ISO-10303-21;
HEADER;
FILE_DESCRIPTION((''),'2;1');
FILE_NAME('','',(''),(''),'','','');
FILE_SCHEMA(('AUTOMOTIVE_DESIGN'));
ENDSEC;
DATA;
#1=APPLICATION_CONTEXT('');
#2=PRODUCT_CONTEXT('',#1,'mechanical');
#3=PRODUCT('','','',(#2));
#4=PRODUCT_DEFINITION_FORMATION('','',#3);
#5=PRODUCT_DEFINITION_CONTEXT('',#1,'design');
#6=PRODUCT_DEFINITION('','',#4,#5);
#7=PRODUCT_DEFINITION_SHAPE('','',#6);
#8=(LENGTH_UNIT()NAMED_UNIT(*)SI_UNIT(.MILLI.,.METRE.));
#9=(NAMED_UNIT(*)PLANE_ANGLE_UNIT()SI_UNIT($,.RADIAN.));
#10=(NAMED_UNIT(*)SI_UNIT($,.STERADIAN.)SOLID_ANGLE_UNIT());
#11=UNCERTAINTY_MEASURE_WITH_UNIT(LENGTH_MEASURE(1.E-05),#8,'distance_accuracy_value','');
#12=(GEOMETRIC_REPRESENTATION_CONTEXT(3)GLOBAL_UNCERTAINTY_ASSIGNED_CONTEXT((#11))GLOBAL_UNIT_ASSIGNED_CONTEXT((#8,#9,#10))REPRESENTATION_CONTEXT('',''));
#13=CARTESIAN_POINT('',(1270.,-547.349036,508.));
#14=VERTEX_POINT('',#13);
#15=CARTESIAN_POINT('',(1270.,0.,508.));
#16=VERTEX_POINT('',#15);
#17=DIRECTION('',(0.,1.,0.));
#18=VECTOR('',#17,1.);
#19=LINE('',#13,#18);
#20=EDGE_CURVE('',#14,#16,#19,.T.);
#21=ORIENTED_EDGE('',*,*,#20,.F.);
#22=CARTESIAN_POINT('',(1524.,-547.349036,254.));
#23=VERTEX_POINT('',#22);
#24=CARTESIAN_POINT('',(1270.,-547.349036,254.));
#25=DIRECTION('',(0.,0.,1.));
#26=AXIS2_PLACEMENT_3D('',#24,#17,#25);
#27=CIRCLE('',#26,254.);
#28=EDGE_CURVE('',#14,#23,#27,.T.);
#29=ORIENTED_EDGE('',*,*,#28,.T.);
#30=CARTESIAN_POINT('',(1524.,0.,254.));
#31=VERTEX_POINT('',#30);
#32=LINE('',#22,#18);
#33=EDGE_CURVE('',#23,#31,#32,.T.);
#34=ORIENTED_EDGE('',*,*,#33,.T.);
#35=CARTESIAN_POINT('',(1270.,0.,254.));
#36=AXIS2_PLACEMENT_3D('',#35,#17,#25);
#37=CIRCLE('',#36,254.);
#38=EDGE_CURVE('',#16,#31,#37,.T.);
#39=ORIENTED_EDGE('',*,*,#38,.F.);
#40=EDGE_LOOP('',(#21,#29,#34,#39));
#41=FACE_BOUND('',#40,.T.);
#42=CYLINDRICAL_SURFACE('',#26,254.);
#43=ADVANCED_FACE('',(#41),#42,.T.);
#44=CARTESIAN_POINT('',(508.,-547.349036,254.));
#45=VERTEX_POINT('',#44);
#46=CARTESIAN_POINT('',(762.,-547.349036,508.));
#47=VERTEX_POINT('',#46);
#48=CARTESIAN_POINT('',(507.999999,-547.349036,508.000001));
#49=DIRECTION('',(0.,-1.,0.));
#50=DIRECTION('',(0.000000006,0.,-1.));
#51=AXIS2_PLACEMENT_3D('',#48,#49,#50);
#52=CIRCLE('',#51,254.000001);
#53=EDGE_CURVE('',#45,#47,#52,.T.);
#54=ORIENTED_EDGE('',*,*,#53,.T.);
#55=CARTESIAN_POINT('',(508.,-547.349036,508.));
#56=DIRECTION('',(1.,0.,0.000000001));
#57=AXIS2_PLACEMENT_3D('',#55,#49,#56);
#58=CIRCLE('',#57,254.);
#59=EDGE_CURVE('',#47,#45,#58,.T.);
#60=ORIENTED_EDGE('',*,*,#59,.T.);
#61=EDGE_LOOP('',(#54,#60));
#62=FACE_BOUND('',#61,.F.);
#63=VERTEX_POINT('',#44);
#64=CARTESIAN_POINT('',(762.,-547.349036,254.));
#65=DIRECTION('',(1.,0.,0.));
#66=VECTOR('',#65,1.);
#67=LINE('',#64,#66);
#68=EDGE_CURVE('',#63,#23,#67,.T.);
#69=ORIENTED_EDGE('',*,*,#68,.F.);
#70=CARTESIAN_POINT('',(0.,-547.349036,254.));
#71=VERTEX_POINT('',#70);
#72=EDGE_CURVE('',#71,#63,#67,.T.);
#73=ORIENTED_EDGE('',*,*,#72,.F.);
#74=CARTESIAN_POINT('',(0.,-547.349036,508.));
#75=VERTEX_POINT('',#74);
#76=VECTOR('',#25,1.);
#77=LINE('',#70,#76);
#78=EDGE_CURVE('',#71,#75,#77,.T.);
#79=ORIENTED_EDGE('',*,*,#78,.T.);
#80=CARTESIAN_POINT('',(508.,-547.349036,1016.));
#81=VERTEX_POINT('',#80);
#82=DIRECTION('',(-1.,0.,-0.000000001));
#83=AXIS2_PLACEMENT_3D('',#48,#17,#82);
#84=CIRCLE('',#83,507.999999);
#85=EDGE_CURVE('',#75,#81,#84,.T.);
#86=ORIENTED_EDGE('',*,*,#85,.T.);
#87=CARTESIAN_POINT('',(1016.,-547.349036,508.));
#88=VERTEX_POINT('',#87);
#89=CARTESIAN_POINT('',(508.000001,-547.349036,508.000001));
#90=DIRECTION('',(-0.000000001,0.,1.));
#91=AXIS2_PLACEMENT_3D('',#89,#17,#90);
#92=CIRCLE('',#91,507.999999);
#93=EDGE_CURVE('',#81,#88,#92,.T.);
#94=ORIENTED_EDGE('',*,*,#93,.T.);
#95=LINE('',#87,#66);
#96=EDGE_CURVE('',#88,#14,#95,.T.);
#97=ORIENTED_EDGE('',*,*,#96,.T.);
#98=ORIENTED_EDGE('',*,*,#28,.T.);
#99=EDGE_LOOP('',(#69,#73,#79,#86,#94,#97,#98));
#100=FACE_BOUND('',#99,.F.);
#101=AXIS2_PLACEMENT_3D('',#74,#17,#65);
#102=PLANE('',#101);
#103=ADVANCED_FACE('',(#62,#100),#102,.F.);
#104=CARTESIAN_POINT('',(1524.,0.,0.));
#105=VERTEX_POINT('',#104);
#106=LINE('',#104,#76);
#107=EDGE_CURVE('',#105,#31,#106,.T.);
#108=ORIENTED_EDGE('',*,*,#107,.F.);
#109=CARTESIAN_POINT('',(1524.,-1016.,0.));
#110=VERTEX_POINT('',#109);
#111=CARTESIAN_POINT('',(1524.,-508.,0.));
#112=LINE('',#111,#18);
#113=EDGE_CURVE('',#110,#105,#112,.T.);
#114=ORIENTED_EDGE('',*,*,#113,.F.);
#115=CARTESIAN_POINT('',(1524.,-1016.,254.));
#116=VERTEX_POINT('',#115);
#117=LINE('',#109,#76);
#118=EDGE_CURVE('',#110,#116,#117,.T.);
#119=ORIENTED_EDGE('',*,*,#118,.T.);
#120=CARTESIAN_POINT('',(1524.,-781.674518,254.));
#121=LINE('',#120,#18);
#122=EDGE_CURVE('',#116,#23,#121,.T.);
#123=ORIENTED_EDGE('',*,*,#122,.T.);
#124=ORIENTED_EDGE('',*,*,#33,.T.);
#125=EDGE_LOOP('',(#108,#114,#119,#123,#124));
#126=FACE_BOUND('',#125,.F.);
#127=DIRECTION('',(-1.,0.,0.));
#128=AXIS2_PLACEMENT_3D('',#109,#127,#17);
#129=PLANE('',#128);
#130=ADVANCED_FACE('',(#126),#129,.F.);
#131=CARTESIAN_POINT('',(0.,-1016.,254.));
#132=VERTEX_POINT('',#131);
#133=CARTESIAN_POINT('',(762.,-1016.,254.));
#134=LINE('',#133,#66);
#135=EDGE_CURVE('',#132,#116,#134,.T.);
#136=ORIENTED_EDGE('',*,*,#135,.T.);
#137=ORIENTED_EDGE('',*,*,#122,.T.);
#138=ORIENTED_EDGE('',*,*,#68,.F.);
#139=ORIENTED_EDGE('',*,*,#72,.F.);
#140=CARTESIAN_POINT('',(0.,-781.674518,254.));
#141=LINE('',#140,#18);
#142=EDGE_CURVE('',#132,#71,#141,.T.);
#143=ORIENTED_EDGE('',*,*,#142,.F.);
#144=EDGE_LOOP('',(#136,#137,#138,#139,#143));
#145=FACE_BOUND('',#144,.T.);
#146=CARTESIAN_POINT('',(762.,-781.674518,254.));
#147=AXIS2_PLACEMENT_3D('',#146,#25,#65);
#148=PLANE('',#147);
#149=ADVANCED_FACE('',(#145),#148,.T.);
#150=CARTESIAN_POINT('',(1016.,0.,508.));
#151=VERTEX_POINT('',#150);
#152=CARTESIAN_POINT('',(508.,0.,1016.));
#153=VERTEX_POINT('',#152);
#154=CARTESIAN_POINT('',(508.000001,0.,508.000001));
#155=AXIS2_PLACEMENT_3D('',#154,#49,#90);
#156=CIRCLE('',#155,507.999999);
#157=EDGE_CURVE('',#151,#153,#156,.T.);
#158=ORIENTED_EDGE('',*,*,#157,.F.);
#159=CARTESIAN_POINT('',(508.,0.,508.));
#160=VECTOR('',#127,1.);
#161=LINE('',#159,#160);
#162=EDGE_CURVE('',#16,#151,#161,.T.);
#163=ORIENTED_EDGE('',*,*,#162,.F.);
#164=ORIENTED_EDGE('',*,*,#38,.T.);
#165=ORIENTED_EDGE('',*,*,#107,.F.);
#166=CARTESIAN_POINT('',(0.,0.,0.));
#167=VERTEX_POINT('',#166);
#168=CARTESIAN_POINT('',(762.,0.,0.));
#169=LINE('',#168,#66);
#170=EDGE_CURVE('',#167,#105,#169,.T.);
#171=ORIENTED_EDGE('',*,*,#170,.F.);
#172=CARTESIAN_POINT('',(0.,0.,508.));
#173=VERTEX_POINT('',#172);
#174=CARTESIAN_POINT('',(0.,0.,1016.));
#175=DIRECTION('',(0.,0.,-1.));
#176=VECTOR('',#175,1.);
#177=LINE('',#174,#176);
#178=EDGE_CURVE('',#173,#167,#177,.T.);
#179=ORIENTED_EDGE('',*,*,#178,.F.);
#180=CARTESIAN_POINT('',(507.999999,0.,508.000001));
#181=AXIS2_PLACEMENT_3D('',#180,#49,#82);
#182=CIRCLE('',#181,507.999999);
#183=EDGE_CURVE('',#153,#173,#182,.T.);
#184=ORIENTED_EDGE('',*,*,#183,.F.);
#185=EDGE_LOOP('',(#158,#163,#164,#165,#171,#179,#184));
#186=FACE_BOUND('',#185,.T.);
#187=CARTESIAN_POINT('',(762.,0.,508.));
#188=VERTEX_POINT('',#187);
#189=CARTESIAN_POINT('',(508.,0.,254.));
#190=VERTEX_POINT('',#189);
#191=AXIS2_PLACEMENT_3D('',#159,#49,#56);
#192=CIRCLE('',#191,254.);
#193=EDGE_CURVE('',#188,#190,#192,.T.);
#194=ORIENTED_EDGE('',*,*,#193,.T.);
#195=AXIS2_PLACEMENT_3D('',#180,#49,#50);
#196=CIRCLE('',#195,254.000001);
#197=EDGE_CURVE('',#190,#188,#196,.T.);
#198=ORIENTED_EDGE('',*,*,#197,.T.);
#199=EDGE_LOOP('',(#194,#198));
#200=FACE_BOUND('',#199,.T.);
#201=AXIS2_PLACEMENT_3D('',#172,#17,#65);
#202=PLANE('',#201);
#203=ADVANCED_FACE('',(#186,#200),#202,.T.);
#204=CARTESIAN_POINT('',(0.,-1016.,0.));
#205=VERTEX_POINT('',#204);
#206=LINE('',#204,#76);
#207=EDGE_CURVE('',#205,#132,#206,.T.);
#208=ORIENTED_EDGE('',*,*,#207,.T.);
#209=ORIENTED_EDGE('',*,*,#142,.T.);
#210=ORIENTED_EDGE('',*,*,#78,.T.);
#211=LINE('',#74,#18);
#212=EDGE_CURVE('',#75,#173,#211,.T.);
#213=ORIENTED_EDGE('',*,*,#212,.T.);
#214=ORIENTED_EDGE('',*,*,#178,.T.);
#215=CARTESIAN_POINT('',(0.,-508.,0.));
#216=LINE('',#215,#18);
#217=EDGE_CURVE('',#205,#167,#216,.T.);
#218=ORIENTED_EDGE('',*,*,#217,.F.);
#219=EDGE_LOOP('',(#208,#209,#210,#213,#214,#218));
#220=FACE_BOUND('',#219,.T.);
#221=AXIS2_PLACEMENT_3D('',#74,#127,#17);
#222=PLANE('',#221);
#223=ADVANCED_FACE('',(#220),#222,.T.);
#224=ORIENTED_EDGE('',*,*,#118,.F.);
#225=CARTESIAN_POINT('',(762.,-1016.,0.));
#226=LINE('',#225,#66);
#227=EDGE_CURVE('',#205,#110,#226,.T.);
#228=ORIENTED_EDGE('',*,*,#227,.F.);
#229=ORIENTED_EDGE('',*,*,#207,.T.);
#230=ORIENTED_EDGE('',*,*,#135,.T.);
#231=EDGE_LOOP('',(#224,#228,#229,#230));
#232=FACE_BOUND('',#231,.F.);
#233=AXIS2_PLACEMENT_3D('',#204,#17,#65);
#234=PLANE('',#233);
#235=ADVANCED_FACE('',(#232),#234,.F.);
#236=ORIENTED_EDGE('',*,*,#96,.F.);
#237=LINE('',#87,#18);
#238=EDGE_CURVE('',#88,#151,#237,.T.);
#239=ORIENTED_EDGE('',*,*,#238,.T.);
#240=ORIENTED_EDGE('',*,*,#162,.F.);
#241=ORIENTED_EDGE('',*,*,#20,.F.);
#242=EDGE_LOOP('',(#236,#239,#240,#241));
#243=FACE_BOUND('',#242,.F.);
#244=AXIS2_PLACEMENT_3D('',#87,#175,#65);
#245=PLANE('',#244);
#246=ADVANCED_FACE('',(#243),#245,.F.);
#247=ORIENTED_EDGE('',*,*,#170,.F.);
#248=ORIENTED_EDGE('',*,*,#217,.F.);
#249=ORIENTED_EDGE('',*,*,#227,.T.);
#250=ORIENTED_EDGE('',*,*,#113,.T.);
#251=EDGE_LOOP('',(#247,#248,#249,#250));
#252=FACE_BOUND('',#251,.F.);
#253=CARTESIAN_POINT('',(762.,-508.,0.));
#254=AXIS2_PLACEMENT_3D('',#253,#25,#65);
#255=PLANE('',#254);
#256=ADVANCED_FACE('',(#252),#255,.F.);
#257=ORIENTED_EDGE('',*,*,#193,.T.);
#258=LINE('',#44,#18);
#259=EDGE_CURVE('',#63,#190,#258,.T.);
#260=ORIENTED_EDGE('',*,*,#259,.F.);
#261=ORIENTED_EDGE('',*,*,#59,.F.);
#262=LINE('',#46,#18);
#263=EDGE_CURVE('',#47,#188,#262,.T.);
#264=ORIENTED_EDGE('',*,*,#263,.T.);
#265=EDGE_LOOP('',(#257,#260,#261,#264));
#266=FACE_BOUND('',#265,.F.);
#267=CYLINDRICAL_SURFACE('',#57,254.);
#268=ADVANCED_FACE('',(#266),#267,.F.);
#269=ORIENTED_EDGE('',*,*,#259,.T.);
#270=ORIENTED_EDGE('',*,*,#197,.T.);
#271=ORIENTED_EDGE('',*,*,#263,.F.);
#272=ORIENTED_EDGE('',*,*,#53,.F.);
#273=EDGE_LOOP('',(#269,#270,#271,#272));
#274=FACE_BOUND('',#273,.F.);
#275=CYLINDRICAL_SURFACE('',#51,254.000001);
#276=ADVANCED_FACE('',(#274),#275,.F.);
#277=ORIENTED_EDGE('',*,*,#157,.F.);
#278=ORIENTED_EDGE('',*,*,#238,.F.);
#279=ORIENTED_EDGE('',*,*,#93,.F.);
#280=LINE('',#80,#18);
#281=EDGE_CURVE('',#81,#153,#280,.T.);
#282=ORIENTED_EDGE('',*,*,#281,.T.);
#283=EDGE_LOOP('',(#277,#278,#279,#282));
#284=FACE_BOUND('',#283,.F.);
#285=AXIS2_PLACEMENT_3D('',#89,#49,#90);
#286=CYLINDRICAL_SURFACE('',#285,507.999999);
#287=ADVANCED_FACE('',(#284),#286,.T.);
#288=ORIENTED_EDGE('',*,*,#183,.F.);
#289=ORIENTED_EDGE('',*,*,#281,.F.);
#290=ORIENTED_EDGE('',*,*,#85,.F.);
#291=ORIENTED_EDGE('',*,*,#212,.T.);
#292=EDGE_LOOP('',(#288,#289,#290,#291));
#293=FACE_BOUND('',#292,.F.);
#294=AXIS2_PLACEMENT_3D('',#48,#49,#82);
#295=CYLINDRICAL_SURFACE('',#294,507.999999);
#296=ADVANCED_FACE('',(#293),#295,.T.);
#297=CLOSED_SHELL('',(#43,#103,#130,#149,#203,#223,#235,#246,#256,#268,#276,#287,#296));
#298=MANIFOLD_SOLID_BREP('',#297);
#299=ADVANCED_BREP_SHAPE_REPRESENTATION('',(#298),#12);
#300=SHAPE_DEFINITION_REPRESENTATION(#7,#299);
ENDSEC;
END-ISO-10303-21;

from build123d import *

# Parameters (mm, degrees)
F0_W      = 1524
F0_H      = 1016
F1_DEPTH  = 508
F2_W      = 1524
F2_H      = 468.650964
F3_DEPTH  = 254
F4_R      = 254
F1_FACE_W = 1270
F1_FACE_H = 547.349036
F5_DEPTH  = 508
F7_DEPTH  = 1143
F9_DEPTH  = 1143


with BuildPart() as f1:
    # F0 (on Top) → F1 (new body)
    with BuildSketch(Plane.XY):
        with Locations((762, -508)):
            Rectangle(F0_W, F0_H)
    extrude(amount=F1_DEPTH)

    # F2 (on face) → F3 (cut)
    with BuildSketch(Plane.XY.offset(508)):
        with Locations((762, -781.674518)):
            Rectangle(F2_W, F2_H)
    extrude(amount=-F3_DEPTH, mode=Mode.SUBTRACT)

    # F4
    f4_edges = [f1.edges().sort_by_distance(p)[0] for p in [
        (1524, -273.674518, 508),
    ]]
    fillet(f4_edges, radius=F4_R)

    # F1_face (on face) → F5 (join)
    with BuildSketch(Plane(origin=(762, -508, 508), x_dir=(1, 0, 0), z_dir=(0, 0, 1))):
        with Locations((-127, 234.325482)):
            Rectangle(F1_FACE_W, F1_FACE_H)
    extrude(amount=F5_DEPTH)

    # F6 (on face) → F7 (cut)
    with BuildSketch(Plane.XZ.offset(547.349036)):
        with BuildLine():
            Line((0, 1016), (0, 508))
            ThreePointArc((0, 508), (148.789755, 867.210245), (508, 1016))
            Line((508, 1016), (0, 1016))
        make_face()
        with BuildLine():
            ThreePointArc((508, 1016), (867.210245, 867.210245), (1016, 508))
            Line((1016, 508), (1270, 508))
            Line((1270, 508), (1270, 1016))
            Line((1270, 1016), (508, 1016))
        make_face()
    extrude(amount=-F7_DEPTH, mode=Mode.SUBTRACT)

    # F8 (on face) → F9 (cut)
    with BuildSketch(Plane.XZ.offset(547.349036)):
        with BuildLine():
            ThreePointArc((508, 254), (687.605122, 328.394878), (762, 508))
            ThreePointArc((762, 508), (328.394878, 687.605122), (508, 254))
        make_face()
    extrude(amount=-F9_DEPTH, mode=Mode.SUBTRACT)


solid = f1.part
